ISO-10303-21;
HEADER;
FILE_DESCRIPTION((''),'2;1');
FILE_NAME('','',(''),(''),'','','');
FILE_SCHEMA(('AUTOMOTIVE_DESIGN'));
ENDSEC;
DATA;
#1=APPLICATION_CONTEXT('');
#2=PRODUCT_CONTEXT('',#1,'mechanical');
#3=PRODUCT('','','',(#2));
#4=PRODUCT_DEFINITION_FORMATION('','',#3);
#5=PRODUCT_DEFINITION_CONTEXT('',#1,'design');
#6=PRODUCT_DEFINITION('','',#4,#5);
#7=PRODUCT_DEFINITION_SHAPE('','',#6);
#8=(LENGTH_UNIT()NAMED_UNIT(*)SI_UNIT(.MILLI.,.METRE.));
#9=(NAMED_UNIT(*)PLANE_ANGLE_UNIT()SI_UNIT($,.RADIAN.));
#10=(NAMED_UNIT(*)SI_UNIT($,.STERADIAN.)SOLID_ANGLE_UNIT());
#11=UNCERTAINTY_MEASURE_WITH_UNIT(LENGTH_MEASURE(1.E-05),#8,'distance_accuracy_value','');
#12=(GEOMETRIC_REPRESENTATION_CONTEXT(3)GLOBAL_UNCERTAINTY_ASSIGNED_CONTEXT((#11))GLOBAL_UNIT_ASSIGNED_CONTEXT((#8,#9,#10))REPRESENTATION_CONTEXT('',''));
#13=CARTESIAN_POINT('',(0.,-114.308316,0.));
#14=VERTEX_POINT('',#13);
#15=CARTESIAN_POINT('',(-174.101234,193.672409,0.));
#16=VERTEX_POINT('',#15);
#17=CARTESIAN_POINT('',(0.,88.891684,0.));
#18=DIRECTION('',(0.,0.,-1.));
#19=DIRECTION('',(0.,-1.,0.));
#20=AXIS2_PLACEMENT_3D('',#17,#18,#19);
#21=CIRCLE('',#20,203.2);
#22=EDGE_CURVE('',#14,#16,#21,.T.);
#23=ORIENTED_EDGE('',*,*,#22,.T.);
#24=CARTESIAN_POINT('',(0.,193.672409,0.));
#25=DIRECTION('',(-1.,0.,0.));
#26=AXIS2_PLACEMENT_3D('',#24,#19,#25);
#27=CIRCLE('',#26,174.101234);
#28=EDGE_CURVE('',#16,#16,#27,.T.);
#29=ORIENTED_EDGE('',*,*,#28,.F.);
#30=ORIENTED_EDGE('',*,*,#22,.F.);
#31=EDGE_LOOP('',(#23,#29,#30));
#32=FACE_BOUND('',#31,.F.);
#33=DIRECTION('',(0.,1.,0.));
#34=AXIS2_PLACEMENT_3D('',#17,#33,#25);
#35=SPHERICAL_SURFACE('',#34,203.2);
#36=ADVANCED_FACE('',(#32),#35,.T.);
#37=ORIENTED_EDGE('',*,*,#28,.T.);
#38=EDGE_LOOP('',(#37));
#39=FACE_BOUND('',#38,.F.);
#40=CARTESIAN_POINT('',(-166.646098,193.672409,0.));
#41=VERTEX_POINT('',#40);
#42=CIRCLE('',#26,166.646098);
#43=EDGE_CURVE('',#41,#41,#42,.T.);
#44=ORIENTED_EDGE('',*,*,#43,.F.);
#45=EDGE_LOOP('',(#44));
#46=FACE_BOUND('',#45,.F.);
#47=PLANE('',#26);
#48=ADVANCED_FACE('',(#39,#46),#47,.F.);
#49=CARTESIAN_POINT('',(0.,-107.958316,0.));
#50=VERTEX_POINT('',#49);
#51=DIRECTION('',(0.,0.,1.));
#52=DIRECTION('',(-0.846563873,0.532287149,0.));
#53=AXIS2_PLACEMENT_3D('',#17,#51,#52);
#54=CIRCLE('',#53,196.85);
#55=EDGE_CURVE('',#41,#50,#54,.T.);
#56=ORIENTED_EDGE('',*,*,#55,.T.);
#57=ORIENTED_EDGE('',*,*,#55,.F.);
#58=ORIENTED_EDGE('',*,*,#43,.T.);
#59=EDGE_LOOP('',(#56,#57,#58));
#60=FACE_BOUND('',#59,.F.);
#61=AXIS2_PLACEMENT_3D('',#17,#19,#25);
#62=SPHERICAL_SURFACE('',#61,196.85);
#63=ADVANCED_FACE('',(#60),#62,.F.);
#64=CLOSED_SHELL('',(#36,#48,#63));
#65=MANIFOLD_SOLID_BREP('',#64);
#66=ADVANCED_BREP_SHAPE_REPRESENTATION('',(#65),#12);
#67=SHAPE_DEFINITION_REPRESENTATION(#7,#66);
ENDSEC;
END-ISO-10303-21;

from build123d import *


with BuildPart() as part:
    # Sketch1 → Revolve1 (revolve)
    with BuildSketch(Plane.XY):
        with BuildLine():
            Line((174.101233777, 193.672409282), (166.646098372, 193.672409282))
            ThreePointArc((166.646098372, 193.672409282), (172.302072359, -6.302424889), (0, -107.958316033))
            Line((0, -107.958316033), (0, -114.308316033))
            ThreePointArc((0, -114.308316033), (176.892175327, -11.105307527), (174.101233777, 193.672409282))
        make_face()
    revolve(axis=Axis((0, 0, 0), (0, -1, 0)))


solid = part.part
